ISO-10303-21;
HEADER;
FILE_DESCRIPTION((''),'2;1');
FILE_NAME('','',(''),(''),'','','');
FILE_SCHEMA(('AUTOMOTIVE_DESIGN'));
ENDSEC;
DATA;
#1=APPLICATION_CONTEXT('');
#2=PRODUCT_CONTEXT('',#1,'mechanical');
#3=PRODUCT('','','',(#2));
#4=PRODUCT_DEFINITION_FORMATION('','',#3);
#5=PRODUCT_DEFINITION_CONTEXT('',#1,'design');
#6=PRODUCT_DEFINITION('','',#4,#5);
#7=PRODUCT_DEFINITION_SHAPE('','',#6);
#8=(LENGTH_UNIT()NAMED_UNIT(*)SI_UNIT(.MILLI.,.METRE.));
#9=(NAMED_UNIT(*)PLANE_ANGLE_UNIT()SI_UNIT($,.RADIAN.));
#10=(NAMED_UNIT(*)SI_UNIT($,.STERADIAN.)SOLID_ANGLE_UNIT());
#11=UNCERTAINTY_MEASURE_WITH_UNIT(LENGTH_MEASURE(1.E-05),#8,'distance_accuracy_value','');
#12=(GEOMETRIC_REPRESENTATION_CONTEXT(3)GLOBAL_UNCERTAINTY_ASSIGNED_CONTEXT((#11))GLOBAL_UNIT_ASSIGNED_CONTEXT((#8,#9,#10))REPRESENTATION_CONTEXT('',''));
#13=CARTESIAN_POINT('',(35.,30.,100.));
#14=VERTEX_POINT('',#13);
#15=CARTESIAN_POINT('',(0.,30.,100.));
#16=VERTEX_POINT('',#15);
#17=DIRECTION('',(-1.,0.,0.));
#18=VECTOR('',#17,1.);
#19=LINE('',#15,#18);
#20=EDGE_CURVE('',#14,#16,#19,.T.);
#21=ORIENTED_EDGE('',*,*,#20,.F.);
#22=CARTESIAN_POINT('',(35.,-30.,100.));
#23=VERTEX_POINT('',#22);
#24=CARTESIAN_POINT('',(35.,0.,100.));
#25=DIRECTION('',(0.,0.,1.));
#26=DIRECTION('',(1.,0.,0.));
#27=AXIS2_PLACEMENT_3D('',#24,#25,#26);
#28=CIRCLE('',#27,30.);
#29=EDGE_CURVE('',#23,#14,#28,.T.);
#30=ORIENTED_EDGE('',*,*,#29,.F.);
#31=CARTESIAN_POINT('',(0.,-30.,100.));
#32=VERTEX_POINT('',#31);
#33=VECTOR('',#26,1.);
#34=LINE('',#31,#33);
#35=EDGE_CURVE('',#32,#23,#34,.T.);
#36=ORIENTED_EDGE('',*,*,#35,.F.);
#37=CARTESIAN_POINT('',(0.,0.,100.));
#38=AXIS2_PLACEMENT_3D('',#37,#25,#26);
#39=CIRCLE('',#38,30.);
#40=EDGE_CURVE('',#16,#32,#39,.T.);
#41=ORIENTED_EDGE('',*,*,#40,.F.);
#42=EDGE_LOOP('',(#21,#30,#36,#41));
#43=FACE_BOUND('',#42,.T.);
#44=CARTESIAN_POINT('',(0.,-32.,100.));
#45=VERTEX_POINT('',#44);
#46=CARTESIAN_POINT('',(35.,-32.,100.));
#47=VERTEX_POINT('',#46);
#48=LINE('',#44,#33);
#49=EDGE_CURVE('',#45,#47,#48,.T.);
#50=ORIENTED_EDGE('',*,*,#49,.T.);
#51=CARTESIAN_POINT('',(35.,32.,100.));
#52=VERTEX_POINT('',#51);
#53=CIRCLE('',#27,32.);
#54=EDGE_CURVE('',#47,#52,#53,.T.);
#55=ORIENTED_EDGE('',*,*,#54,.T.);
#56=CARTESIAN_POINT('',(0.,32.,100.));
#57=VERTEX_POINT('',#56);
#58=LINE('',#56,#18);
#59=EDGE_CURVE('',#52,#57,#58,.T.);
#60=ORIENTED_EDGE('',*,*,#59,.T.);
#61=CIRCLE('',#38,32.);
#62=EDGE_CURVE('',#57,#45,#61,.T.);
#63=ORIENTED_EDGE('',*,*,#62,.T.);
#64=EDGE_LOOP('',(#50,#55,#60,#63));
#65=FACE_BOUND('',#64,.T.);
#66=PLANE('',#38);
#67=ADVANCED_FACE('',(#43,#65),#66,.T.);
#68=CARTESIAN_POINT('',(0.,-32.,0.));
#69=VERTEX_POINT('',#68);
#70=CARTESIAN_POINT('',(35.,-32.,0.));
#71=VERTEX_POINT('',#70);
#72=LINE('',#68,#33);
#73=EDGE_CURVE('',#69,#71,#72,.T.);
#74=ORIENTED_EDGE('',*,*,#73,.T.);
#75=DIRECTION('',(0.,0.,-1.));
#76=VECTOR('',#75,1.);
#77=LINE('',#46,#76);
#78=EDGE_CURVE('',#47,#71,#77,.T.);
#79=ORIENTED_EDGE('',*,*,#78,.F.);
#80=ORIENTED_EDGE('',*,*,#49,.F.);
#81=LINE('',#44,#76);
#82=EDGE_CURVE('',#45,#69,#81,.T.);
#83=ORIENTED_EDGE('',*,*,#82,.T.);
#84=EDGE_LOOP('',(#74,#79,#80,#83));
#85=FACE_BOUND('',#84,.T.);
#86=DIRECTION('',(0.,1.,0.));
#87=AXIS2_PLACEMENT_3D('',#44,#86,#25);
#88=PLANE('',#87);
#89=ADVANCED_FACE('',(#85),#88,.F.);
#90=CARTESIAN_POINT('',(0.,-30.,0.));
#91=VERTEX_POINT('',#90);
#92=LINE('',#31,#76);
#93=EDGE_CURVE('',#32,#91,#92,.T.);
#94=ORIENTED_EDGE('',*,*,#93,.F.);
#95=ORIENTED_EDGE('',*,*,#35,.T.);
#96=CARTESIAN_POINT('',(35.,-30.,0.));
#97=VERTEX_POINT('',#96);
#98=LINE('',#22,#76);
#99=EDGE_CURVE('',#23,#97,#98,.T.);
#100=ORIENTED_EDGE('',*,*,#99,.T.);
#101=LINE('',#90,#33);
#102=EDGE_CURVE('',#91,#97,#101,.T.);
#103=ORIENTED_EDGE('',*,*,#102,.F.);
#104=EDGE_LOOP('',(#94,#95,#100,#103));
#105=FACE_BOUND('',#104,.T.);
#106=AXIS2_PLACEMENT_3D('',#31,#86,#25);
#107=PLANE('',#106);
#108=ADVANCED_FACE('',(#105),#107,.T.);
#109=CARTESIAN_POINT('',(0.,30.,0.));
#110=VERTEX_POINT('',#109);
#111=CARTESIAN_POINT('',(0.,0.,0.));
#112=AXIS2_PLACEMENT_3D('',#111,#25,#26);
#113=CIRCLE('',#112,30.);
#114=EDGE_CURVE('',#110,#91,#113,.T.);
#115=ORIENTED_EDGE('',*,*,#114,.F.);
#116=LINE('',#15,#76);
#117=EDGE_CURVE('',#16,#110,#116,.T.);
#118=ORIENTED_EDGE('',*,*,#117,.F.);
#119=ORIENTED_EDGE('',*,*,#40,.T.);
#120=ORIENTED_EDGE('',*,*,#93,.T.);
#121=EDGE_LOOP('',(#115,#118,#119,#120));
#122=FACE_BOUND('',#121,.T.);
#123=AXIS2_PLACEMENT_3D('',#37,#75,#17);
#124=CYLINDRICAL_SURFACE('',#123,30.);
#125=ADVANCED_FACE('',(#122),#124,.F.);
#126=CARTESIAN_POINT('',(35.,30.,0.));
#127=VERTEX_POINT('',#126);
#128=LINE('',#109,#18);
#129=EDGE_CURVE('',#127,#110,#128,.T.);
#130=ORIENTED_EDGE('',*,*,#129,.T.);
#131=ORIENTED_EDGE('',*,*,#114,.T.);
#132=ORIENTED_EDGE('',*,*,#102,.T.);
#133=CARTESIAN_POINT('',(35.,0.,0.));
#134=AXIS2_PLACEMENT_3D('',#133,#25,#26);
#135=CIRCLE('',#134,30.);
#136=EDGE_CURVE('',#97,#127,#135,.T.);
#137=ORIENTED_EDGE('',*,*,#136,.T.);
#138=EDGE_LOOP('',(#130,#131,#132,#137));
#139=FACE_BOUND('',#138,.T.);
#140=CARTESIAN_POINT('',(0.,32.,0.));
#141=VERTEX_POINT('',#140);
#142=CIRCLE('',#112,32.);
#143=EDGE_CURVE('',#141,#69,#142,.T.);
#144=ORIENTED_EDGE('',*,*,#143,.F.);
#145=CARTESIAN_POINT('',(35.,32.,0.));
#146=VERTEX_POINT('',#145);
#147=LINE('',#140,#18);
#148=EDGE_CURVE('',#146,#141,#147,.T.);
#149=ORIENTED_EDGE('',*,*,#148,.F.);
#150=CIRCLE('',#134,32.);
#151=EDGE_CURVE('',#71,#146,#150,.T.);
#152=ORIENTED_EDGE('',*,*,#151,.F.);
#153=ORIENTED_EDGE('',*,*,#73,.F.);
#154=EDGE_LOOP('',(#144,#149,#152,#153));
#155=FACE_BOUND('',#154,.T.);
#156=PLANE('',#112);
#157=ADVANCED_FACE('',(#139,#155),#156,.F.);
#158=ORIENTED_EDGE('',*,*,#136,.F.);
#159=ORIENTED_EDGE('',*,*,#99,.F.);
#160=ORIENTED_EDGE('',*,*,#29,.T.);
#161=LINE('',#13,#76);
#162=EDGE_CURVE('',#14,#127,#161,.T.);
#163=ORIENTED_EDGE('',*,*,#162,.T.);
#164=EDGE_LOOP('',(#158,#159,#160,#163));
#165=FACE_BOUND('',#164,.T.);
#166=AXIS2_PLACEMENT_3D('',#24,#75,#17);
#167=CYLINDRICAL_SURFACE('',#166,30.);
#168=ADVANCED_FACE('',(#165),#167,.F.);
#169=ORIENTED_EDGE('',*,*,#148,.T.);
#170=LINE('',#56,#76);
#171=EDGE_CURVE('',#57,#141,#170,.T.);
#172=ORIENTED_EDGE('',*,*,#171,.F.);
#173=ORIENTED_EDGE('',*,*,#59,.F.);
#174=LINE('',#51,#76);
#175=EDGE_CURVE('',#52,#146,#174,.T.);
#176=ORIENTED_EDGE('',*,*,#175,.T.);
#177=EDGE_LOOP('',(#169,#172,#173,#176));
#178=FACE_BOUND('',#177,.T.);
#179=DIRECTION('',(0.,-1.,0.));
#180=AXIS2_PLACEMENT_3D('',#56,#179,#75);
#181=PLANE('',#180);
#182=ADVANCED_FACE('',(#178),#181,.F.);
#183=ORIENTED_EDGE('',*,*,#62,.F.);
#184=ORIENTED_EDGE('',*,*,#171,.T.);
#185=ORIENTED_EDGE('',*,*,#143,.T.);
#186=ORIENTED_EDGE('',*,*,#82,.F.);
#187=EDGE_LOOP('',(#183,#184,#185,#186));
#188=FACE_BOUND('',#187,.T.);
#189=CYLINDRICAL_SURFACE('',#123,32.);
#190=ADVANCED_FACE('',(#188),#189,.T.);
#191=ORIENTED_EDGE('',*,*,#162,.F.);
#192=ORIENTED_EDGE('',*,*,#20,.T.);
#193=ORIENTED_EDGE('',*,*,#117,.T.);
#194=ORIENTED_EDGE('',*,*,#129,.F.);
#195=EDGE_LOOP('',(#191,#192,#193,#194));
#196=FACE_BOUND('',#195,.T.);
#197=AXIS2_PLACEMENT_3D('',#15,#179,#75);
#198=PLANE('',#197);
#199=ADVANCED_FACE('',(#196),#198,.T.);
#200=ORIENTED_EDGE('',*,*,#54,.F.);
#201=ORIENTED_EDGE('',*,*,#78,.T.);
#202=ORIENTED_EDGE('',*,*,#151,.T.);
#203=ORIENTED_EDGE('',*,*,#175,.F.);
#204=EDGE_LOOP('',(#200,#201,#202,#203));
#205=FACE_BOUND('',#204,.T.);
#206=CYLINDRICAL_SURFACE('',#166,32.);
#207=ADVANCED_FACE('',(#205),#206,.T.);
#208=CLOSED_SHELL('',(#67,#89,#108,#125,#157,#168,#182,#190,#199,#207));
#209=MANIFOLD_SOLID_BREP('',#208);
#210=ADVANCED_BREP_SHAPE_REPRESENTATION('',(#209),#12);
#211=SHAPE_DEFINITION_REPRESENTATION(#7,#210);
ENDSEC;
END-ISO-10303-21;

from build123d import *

# Parameters (mm, degrees)
BOSS_EXTRUDE1_DEPTH = 100


with BuildPart() as part:
    # Sketch1 → Boss-Extrude1 (new body)
    with BuildSketch(Plane.XY):
        with BuildLine():
            Line((0, 32), (35, 32))
            ThreePointArc((35, 32), (67, 0), (35, -32))
            Line((35, -32), (0, -32))
            ThreePointArc((0, -32), (-32, 0), (0, 32))
        make_face()
        with BuildLine():
            Line((0, 30), (35, 30))
            ThreePointArc((35, 30), (65, 0), (35, -30))
            Line((35, -30), (0, -30))
            ThreePointArc((0, -30), (-30, 0), (0, 30))
        make_face(mode=Mode.SUBTRACT)
    extrude(amount=BOSS_EXTRUDE1_DEPTH)


solid = part.part
